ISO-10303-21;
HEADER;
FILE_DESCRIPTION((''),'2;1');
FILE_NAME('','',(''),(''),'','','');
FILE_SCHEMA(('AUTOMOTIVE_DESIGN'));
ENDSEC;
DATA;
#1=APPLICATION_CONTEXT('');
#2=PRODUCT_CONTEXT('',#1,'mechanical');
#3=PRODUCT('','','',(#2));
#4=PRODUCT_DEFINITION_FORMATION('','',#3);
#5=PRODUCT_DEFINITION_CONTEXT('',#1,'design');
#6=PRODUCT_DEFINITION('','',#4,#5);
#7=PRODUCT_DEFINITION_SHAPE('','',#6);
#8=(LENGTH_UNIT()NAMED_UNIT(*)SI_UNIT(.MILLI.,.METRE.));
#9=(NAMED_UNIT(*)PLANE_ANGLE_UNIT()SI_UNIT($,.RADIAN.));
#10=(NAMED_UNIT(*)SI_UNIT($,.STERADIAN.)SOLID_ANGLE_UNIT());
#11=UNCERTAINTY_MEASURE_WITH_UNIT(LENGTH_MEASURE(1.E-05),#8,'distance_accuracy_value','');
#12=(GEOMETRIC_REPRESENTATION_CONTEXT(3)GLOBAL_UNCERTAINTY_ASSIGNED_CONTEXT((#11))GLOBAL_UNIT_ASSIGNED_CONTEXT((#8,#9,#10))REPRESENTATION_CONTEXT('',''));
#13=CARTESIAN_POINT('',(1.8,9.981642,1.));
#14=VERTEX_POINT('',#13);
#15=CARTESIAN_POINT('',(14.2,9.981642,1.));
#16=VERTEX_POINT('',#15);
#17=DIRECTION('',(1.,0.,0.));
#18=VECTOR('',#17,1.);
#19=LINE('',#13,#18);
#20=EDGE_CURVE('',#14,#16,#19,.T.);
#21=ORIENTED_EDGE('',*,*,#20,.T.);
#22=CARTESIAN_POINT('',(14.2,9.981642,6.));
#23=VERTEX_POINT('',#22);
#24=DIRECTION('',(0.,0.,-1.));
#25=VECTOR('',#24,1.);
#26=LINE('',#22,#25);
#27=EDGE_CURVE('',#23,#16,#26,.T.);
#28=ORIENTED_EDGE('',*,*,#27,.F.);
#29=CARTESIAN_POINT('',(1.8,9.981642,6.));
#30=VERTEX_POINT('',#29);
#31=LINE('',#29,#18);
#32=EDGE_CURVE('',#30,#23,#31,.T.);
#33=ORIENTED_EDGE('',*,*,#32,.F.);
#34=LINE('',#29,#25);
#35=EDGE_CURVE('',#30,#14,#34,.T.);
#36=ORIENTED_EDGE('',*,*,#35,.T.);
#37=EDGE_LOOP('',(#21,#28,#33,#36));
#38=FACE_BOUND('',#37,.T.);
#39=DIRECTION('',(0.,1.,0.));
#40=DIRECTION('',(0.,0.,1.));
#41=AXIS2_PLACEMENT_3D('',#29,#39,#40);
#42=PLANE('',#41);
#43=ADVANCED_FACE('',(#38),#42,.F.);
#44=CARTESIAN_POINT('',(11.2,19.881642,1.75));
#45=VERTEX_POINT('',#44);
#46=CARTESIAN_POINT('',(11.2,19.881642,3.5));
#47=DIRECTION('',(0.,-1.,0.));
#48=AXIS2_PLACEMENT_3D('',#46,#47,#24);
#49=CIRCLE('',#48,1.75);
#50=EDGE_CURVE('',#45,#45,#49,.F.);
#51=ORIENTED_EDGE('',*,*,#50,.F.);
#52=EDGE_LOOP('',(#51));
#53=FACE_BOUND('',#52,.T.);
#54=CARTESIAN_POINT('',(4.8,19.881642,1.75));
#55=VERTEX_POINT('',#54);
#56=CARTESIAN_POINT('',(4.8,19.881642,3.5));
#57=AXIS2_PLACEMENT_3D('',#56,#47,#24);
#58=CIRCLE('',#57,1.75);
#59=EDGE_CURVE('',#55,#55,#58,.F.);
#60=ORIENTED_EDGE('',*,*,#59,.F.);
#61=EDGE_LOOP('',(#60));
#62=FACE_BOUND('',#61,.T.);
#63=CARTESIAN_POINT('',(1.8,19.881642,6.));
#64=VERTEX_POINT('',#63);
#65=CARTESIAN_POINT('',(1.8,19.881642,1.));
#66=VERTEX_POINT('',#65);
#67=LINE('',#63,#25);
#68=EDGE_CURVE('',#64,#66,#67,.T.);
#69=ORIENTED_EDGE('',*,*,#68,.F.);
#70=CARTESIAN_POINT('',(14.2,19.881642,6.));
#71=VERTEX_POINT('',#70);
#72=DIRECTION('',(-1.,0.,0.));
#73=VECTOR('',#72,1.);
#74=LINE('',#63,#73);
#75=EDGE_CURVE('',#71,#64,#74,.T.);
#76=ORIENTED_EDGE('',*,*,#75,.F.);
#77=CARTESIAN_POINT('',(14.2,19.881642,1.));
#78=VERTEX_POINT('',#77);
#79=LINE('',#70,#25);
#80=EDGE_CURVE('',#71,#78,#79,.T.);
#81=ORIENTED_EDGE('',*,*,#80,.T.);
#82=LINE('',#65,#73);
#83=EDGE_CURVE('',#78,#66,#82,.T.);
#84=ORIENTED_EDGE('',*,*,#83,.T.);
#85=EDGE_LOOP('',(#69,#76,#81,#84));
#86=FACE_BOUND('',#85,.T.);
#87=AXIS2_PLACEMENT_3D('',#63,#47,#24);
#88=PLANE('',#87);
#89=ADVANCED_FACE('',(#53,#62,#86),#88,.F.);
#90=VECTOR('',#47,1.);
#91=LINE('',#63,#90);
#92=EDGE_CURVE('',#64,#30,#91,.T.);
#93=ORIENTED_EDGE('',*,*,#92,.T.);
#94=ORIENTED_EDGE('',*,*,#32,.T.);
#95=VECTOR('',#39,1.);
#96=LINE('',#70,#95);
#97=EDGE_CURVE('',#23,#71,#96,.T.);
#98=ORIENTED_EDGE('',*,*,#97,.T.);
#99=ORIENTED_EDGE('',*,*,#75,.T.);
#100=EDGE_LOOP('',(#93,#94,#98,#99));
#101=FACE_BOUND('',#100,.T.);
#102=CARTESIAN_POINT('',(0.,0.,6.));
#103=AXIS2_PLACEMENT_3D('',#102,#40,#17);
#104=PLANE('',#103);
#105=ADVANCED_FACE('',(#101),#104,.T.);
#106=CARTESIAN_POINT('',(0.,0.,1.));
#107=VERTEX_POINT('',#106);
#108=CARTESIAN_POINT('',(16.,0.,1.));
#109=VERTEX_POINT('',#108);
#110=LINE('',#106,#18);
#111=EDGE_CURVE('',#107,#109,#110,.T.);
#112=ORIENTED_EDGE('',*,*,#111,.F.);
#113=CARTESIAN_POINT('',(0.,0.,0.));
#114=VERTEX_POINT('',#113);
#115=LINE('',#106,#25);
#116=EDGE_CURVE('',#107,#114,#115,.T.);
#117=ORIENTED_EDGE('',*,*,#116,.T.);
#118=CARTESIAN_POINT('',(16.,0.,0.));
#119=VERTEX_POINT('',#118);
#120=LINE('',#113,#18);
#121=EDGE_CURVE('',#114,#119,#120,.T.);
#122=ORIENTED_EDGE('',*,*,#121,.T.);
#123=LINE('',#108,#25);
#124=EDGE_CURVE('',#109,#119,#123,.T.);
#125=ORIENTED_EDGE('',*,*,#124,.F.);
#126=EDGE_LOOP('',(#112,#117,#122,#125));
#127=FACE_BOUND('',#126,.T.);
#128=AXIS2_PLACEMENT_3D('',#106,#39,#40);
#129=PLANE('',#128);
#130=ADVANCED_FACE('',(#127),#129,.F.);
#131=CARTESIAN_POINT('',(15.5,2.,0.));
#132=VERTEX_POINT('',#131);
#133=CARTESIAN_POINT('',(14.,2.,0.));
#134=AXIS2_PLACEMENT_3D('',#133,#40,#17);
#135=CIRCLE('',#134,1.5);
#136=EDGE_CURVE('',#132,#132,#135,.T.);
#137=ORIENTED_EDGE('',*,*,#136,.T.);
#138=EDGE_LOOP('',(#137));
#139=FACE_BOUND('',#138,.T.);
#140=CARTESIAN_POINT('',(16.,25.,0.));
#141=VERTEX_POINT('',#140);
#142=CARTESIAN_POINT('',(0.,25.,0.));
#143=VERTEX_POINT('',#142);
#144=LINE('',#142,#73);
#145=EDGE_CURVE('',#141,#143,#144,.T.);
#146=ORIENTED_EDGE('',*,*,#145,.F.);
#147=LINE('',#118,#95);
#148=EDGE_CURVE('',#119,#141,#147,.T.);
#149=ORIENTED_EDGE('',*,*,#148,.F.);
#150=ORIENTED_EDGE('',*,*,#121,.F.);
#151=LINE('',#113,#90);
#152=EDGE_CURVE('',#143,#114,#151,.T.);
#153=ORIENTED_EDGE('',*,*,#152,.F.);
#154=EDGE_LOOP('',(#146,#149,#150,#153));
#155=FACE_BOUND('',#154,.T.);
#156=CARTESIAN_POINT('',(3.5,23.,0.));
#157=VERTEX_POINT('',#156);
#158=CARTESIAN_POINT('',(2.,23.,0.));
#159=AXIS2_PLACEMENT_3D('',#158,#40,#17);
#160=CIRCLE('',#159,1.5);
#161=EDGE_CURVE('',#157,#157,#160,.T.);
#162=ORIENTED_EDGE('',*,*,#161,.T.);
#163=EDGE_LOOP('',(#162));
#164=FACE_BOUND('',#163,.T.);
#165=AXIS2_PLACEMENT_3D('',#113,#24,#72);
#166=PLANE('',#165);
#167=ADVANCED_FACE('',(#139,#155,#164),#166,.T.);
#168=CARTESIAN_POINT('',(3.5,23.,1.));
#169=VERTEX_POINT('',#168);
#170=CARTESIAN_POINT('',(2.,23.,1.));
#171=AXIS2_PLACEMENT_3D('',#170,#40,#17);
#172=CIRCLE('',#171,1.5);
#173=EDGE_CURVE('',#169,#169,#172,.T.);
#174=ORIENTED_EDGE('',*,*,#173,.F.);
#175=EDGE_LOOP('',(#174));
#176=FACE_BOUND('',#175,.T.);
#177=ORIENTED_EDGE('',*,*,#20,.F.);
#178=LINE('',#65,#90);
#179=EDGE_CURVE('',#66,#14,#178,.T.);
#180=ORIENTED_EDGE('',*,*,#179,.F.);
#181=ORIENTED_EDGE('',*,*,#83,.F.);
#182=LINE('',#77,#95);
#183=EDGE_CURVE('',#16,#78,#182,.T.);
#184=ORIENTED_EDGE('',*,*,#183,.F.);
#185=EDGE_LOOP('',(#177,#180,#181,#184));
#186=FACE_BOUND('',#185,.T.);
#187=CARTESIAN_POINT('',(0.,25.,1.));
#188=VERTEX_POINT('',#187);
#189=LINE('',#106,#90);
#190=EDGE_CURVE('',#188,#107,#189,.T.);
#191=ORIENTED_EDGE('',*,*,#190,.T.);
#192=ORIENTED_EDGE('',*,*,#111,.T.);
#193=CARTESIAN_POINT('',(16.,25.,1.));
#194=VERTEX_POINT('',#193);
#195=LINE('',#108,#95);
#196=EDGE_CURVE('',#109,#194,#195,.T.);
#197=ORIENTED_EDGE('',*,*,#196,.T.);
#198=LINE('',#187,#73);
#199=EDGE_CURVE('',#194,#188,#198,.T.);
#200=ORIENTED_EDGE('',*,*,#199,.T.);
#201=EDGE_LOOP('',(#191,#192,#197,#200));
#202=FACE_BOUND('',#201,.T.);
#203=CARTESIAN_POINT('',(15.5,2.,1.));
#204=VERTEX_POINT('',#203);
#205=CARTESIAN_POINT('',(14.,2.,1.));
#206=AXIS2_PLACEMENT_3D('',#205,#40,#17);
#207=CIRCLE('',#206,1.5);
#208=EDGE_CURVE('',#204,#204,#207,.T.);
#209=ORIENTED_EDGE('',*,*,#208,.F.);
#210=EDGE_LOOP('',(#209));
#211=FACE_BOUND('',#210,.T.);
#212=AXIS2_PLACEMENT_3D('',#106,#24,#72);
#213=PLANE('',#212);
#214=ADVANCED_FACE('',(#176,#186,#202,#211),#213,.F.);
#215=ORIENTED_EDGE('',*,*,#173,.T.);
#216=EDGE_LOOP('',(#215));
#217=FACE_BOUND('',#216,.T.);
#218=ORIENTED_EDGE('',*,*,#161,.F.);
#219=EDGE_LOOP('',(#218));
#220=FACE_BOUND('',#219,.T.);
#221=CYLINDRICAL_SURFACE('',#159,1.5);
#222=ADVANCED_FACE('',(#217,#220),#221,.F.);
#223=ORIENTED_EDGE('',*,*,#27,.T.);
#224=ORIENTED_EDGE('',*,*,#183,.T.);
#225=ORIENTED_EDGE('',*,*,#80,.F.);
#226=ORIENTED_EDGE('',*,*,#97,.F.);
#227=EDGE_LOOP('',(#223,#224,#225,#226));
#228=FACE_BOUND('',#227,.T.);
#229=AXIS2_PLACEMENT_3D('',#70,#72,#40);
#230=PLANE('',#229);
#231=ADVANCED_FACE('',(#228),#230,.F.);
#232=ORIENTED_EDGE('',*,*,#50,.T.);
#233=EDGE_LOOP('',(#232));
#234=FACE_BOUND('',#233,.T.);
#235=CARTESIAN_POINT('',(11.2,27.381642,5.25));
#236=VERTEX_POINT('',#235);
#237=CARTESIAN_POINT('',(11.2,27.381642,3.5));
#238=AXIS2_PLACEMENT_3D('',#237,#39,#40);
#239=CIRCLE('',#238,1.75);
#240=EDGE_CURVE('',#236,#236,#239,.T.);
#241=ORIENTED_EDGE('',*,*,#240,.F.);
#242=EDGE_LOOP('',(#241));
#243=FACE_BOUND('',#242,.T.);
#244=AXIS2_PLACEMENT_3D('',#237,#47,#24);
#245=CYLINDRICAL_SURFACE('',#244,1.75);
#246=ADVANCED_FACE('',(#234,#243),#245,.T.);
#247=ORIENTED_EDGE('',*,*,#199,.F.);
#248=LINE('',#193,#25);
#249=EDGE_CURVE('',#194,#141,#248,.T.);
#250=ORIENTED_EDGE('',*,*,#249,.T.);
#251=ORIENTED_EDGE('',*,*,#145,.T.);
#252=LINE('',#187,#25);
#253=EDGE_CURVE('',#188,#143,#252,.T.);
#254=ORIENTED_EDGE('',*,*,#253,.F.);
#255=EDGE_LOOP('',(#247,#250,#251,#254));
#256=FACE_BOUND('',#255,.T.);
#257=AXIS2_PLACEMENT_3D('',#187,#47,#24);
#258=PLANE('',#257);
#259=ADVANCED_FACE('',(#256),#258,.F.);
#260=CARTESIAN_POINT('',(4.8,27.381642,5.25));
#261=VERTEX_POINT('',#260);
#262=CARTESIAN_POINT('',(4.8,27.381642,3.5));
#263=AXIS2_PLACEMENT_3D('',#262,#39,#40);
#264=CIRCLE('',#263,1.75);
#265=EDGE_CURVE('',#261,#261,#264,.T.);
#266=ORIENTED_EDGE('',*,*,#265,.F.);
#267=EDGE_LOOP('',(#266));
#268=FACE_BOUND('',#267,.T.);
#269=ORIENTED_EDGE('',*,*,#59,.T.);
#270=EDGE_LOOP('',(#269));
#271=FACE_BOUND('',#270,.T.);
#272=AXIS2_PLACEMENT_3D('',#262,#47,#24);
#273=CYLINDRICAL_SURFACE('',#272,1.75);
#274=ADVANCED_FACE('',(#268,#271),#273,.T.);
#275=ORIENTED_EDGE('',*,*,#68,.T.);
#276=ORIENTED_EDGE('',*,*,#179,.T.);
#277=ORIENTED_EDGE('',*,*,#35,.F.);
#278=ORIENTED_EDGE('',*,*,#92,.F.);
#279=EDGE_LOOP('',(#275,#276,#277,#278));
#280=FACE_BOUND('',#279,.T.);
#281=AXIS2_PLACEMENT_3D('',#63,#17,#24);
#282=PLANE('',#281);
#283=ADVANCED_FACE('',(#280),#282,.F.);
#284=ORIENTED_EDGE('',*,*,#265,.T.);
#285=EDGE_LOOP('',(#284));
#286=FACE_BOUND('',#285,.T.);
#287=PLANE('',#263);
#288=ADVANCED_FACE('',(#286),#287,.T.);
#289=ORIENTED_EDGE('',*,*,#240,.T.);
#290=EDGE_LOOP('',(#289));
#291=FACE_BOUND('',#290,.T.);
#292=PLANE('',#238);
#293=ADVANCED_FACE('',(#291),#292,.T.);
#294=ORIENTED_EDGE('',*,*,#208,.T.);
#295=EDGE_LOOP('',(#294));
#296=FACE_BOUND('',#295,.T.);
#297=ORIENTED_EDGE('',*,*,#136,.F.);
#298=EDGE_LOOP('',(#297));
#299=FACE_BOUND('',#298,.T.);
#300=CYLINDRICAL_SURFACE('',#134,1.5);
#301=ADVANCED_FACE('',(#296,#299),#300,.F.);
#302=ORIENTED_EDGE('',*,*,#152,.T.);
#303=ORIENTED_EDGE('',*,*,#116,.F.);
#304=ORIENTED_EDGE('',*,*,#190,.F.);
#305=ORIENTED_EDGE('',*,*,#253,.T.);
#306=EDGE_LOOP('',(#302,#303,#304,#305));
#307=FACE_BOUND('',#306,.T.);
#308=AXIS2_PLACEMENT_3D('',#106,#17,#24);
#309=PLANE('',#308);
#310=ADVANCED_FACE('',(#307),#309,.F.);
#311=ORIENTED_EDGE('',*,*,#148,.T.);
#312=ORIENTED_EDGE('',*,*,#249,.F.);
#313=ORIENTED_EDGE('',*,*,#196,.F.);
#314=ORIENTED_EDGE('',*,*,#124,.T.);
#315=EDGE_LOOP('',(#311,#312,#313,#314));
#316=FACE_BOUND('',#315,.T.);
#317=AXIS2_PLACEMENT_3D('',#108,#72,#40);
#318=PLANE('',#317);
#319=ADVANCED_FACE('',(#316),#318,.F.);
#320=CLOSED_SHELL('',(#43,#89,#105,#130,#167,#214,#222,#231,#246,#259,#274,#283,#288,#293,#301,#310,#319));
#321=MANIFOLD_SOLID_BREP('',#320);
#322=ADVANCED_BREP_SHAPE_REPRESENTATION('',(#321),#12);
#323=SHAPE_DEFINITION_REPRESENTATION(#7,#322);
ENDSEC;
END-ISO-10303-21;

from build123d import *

# Parameters (mm, degrees)
SKETCH1_W           = 16
SKETCH1_H           = 25
BOSS_EXTRUDE1_DEPTH = 1
SKETCH2_R           = 1.5
CUT_EXTRUDE1_DEPTH  = 1
SKETCH3_W           = 12.4
SKETCH3_H           = 9.9
BOSS_EXTRUDE2_DEPTH = 5
SKETCH4_R           = 1.75
BOSS_EXTRUDE3_DEPTH = 7.5


with BuildPart() as part:
    # Sketch1 → Boss-Extrude1 (new body)
    with BuildSketch(Plane.XY):
        with Locations((8, 12.5)):
            Rectangle(SKETCH1_W, SKETCH1_H)
    extrude(amount=BOSS_EXTRUDE1_DEPTH)

    # Sketch2 → Cut-Extrude1 (cut)
    with BuildSketch(Plane.XY.offset(1)):
        with Locations((2, 23)):
            Circle(SKETCH2_R)
        with Locations((14, 2)):
            Circle(SKETCH2_R)
    extrude(amount=-CUT_EXTRUDE1_DEPTH, mode=Mode.SUBTRACT)

    # Sketch3 → Boss-Extrude2 (add)
    with BuildSketch(Plane.XY.offset(1)):
        with Locations((8, 14.931642479)):
            Rectangle(SKETCH3_W, SKETCH3_H)
    extrude(amount=BOSS_EXTRUDE2_DEPTH)

    # Sketch4 → Boss-Extrude3 (add)
    with BuildSketch(Plane(origin=(0, 19.881642479, 0), x_dir=(1, 0, 0), z_dir=(0, 1, 0))):
        with Locations(Location((4.8, -3.5, 0), (0, 0, 90))):
            Circle(SKETCH4_R)
        with Locations(Location((11.2, -3.5, 0), (0, 0, 90))):
            Circle(SKETCH4_R)
    extrude(amount=BOSS_EXTRUDE3_DEPTH)


solid = part.part
